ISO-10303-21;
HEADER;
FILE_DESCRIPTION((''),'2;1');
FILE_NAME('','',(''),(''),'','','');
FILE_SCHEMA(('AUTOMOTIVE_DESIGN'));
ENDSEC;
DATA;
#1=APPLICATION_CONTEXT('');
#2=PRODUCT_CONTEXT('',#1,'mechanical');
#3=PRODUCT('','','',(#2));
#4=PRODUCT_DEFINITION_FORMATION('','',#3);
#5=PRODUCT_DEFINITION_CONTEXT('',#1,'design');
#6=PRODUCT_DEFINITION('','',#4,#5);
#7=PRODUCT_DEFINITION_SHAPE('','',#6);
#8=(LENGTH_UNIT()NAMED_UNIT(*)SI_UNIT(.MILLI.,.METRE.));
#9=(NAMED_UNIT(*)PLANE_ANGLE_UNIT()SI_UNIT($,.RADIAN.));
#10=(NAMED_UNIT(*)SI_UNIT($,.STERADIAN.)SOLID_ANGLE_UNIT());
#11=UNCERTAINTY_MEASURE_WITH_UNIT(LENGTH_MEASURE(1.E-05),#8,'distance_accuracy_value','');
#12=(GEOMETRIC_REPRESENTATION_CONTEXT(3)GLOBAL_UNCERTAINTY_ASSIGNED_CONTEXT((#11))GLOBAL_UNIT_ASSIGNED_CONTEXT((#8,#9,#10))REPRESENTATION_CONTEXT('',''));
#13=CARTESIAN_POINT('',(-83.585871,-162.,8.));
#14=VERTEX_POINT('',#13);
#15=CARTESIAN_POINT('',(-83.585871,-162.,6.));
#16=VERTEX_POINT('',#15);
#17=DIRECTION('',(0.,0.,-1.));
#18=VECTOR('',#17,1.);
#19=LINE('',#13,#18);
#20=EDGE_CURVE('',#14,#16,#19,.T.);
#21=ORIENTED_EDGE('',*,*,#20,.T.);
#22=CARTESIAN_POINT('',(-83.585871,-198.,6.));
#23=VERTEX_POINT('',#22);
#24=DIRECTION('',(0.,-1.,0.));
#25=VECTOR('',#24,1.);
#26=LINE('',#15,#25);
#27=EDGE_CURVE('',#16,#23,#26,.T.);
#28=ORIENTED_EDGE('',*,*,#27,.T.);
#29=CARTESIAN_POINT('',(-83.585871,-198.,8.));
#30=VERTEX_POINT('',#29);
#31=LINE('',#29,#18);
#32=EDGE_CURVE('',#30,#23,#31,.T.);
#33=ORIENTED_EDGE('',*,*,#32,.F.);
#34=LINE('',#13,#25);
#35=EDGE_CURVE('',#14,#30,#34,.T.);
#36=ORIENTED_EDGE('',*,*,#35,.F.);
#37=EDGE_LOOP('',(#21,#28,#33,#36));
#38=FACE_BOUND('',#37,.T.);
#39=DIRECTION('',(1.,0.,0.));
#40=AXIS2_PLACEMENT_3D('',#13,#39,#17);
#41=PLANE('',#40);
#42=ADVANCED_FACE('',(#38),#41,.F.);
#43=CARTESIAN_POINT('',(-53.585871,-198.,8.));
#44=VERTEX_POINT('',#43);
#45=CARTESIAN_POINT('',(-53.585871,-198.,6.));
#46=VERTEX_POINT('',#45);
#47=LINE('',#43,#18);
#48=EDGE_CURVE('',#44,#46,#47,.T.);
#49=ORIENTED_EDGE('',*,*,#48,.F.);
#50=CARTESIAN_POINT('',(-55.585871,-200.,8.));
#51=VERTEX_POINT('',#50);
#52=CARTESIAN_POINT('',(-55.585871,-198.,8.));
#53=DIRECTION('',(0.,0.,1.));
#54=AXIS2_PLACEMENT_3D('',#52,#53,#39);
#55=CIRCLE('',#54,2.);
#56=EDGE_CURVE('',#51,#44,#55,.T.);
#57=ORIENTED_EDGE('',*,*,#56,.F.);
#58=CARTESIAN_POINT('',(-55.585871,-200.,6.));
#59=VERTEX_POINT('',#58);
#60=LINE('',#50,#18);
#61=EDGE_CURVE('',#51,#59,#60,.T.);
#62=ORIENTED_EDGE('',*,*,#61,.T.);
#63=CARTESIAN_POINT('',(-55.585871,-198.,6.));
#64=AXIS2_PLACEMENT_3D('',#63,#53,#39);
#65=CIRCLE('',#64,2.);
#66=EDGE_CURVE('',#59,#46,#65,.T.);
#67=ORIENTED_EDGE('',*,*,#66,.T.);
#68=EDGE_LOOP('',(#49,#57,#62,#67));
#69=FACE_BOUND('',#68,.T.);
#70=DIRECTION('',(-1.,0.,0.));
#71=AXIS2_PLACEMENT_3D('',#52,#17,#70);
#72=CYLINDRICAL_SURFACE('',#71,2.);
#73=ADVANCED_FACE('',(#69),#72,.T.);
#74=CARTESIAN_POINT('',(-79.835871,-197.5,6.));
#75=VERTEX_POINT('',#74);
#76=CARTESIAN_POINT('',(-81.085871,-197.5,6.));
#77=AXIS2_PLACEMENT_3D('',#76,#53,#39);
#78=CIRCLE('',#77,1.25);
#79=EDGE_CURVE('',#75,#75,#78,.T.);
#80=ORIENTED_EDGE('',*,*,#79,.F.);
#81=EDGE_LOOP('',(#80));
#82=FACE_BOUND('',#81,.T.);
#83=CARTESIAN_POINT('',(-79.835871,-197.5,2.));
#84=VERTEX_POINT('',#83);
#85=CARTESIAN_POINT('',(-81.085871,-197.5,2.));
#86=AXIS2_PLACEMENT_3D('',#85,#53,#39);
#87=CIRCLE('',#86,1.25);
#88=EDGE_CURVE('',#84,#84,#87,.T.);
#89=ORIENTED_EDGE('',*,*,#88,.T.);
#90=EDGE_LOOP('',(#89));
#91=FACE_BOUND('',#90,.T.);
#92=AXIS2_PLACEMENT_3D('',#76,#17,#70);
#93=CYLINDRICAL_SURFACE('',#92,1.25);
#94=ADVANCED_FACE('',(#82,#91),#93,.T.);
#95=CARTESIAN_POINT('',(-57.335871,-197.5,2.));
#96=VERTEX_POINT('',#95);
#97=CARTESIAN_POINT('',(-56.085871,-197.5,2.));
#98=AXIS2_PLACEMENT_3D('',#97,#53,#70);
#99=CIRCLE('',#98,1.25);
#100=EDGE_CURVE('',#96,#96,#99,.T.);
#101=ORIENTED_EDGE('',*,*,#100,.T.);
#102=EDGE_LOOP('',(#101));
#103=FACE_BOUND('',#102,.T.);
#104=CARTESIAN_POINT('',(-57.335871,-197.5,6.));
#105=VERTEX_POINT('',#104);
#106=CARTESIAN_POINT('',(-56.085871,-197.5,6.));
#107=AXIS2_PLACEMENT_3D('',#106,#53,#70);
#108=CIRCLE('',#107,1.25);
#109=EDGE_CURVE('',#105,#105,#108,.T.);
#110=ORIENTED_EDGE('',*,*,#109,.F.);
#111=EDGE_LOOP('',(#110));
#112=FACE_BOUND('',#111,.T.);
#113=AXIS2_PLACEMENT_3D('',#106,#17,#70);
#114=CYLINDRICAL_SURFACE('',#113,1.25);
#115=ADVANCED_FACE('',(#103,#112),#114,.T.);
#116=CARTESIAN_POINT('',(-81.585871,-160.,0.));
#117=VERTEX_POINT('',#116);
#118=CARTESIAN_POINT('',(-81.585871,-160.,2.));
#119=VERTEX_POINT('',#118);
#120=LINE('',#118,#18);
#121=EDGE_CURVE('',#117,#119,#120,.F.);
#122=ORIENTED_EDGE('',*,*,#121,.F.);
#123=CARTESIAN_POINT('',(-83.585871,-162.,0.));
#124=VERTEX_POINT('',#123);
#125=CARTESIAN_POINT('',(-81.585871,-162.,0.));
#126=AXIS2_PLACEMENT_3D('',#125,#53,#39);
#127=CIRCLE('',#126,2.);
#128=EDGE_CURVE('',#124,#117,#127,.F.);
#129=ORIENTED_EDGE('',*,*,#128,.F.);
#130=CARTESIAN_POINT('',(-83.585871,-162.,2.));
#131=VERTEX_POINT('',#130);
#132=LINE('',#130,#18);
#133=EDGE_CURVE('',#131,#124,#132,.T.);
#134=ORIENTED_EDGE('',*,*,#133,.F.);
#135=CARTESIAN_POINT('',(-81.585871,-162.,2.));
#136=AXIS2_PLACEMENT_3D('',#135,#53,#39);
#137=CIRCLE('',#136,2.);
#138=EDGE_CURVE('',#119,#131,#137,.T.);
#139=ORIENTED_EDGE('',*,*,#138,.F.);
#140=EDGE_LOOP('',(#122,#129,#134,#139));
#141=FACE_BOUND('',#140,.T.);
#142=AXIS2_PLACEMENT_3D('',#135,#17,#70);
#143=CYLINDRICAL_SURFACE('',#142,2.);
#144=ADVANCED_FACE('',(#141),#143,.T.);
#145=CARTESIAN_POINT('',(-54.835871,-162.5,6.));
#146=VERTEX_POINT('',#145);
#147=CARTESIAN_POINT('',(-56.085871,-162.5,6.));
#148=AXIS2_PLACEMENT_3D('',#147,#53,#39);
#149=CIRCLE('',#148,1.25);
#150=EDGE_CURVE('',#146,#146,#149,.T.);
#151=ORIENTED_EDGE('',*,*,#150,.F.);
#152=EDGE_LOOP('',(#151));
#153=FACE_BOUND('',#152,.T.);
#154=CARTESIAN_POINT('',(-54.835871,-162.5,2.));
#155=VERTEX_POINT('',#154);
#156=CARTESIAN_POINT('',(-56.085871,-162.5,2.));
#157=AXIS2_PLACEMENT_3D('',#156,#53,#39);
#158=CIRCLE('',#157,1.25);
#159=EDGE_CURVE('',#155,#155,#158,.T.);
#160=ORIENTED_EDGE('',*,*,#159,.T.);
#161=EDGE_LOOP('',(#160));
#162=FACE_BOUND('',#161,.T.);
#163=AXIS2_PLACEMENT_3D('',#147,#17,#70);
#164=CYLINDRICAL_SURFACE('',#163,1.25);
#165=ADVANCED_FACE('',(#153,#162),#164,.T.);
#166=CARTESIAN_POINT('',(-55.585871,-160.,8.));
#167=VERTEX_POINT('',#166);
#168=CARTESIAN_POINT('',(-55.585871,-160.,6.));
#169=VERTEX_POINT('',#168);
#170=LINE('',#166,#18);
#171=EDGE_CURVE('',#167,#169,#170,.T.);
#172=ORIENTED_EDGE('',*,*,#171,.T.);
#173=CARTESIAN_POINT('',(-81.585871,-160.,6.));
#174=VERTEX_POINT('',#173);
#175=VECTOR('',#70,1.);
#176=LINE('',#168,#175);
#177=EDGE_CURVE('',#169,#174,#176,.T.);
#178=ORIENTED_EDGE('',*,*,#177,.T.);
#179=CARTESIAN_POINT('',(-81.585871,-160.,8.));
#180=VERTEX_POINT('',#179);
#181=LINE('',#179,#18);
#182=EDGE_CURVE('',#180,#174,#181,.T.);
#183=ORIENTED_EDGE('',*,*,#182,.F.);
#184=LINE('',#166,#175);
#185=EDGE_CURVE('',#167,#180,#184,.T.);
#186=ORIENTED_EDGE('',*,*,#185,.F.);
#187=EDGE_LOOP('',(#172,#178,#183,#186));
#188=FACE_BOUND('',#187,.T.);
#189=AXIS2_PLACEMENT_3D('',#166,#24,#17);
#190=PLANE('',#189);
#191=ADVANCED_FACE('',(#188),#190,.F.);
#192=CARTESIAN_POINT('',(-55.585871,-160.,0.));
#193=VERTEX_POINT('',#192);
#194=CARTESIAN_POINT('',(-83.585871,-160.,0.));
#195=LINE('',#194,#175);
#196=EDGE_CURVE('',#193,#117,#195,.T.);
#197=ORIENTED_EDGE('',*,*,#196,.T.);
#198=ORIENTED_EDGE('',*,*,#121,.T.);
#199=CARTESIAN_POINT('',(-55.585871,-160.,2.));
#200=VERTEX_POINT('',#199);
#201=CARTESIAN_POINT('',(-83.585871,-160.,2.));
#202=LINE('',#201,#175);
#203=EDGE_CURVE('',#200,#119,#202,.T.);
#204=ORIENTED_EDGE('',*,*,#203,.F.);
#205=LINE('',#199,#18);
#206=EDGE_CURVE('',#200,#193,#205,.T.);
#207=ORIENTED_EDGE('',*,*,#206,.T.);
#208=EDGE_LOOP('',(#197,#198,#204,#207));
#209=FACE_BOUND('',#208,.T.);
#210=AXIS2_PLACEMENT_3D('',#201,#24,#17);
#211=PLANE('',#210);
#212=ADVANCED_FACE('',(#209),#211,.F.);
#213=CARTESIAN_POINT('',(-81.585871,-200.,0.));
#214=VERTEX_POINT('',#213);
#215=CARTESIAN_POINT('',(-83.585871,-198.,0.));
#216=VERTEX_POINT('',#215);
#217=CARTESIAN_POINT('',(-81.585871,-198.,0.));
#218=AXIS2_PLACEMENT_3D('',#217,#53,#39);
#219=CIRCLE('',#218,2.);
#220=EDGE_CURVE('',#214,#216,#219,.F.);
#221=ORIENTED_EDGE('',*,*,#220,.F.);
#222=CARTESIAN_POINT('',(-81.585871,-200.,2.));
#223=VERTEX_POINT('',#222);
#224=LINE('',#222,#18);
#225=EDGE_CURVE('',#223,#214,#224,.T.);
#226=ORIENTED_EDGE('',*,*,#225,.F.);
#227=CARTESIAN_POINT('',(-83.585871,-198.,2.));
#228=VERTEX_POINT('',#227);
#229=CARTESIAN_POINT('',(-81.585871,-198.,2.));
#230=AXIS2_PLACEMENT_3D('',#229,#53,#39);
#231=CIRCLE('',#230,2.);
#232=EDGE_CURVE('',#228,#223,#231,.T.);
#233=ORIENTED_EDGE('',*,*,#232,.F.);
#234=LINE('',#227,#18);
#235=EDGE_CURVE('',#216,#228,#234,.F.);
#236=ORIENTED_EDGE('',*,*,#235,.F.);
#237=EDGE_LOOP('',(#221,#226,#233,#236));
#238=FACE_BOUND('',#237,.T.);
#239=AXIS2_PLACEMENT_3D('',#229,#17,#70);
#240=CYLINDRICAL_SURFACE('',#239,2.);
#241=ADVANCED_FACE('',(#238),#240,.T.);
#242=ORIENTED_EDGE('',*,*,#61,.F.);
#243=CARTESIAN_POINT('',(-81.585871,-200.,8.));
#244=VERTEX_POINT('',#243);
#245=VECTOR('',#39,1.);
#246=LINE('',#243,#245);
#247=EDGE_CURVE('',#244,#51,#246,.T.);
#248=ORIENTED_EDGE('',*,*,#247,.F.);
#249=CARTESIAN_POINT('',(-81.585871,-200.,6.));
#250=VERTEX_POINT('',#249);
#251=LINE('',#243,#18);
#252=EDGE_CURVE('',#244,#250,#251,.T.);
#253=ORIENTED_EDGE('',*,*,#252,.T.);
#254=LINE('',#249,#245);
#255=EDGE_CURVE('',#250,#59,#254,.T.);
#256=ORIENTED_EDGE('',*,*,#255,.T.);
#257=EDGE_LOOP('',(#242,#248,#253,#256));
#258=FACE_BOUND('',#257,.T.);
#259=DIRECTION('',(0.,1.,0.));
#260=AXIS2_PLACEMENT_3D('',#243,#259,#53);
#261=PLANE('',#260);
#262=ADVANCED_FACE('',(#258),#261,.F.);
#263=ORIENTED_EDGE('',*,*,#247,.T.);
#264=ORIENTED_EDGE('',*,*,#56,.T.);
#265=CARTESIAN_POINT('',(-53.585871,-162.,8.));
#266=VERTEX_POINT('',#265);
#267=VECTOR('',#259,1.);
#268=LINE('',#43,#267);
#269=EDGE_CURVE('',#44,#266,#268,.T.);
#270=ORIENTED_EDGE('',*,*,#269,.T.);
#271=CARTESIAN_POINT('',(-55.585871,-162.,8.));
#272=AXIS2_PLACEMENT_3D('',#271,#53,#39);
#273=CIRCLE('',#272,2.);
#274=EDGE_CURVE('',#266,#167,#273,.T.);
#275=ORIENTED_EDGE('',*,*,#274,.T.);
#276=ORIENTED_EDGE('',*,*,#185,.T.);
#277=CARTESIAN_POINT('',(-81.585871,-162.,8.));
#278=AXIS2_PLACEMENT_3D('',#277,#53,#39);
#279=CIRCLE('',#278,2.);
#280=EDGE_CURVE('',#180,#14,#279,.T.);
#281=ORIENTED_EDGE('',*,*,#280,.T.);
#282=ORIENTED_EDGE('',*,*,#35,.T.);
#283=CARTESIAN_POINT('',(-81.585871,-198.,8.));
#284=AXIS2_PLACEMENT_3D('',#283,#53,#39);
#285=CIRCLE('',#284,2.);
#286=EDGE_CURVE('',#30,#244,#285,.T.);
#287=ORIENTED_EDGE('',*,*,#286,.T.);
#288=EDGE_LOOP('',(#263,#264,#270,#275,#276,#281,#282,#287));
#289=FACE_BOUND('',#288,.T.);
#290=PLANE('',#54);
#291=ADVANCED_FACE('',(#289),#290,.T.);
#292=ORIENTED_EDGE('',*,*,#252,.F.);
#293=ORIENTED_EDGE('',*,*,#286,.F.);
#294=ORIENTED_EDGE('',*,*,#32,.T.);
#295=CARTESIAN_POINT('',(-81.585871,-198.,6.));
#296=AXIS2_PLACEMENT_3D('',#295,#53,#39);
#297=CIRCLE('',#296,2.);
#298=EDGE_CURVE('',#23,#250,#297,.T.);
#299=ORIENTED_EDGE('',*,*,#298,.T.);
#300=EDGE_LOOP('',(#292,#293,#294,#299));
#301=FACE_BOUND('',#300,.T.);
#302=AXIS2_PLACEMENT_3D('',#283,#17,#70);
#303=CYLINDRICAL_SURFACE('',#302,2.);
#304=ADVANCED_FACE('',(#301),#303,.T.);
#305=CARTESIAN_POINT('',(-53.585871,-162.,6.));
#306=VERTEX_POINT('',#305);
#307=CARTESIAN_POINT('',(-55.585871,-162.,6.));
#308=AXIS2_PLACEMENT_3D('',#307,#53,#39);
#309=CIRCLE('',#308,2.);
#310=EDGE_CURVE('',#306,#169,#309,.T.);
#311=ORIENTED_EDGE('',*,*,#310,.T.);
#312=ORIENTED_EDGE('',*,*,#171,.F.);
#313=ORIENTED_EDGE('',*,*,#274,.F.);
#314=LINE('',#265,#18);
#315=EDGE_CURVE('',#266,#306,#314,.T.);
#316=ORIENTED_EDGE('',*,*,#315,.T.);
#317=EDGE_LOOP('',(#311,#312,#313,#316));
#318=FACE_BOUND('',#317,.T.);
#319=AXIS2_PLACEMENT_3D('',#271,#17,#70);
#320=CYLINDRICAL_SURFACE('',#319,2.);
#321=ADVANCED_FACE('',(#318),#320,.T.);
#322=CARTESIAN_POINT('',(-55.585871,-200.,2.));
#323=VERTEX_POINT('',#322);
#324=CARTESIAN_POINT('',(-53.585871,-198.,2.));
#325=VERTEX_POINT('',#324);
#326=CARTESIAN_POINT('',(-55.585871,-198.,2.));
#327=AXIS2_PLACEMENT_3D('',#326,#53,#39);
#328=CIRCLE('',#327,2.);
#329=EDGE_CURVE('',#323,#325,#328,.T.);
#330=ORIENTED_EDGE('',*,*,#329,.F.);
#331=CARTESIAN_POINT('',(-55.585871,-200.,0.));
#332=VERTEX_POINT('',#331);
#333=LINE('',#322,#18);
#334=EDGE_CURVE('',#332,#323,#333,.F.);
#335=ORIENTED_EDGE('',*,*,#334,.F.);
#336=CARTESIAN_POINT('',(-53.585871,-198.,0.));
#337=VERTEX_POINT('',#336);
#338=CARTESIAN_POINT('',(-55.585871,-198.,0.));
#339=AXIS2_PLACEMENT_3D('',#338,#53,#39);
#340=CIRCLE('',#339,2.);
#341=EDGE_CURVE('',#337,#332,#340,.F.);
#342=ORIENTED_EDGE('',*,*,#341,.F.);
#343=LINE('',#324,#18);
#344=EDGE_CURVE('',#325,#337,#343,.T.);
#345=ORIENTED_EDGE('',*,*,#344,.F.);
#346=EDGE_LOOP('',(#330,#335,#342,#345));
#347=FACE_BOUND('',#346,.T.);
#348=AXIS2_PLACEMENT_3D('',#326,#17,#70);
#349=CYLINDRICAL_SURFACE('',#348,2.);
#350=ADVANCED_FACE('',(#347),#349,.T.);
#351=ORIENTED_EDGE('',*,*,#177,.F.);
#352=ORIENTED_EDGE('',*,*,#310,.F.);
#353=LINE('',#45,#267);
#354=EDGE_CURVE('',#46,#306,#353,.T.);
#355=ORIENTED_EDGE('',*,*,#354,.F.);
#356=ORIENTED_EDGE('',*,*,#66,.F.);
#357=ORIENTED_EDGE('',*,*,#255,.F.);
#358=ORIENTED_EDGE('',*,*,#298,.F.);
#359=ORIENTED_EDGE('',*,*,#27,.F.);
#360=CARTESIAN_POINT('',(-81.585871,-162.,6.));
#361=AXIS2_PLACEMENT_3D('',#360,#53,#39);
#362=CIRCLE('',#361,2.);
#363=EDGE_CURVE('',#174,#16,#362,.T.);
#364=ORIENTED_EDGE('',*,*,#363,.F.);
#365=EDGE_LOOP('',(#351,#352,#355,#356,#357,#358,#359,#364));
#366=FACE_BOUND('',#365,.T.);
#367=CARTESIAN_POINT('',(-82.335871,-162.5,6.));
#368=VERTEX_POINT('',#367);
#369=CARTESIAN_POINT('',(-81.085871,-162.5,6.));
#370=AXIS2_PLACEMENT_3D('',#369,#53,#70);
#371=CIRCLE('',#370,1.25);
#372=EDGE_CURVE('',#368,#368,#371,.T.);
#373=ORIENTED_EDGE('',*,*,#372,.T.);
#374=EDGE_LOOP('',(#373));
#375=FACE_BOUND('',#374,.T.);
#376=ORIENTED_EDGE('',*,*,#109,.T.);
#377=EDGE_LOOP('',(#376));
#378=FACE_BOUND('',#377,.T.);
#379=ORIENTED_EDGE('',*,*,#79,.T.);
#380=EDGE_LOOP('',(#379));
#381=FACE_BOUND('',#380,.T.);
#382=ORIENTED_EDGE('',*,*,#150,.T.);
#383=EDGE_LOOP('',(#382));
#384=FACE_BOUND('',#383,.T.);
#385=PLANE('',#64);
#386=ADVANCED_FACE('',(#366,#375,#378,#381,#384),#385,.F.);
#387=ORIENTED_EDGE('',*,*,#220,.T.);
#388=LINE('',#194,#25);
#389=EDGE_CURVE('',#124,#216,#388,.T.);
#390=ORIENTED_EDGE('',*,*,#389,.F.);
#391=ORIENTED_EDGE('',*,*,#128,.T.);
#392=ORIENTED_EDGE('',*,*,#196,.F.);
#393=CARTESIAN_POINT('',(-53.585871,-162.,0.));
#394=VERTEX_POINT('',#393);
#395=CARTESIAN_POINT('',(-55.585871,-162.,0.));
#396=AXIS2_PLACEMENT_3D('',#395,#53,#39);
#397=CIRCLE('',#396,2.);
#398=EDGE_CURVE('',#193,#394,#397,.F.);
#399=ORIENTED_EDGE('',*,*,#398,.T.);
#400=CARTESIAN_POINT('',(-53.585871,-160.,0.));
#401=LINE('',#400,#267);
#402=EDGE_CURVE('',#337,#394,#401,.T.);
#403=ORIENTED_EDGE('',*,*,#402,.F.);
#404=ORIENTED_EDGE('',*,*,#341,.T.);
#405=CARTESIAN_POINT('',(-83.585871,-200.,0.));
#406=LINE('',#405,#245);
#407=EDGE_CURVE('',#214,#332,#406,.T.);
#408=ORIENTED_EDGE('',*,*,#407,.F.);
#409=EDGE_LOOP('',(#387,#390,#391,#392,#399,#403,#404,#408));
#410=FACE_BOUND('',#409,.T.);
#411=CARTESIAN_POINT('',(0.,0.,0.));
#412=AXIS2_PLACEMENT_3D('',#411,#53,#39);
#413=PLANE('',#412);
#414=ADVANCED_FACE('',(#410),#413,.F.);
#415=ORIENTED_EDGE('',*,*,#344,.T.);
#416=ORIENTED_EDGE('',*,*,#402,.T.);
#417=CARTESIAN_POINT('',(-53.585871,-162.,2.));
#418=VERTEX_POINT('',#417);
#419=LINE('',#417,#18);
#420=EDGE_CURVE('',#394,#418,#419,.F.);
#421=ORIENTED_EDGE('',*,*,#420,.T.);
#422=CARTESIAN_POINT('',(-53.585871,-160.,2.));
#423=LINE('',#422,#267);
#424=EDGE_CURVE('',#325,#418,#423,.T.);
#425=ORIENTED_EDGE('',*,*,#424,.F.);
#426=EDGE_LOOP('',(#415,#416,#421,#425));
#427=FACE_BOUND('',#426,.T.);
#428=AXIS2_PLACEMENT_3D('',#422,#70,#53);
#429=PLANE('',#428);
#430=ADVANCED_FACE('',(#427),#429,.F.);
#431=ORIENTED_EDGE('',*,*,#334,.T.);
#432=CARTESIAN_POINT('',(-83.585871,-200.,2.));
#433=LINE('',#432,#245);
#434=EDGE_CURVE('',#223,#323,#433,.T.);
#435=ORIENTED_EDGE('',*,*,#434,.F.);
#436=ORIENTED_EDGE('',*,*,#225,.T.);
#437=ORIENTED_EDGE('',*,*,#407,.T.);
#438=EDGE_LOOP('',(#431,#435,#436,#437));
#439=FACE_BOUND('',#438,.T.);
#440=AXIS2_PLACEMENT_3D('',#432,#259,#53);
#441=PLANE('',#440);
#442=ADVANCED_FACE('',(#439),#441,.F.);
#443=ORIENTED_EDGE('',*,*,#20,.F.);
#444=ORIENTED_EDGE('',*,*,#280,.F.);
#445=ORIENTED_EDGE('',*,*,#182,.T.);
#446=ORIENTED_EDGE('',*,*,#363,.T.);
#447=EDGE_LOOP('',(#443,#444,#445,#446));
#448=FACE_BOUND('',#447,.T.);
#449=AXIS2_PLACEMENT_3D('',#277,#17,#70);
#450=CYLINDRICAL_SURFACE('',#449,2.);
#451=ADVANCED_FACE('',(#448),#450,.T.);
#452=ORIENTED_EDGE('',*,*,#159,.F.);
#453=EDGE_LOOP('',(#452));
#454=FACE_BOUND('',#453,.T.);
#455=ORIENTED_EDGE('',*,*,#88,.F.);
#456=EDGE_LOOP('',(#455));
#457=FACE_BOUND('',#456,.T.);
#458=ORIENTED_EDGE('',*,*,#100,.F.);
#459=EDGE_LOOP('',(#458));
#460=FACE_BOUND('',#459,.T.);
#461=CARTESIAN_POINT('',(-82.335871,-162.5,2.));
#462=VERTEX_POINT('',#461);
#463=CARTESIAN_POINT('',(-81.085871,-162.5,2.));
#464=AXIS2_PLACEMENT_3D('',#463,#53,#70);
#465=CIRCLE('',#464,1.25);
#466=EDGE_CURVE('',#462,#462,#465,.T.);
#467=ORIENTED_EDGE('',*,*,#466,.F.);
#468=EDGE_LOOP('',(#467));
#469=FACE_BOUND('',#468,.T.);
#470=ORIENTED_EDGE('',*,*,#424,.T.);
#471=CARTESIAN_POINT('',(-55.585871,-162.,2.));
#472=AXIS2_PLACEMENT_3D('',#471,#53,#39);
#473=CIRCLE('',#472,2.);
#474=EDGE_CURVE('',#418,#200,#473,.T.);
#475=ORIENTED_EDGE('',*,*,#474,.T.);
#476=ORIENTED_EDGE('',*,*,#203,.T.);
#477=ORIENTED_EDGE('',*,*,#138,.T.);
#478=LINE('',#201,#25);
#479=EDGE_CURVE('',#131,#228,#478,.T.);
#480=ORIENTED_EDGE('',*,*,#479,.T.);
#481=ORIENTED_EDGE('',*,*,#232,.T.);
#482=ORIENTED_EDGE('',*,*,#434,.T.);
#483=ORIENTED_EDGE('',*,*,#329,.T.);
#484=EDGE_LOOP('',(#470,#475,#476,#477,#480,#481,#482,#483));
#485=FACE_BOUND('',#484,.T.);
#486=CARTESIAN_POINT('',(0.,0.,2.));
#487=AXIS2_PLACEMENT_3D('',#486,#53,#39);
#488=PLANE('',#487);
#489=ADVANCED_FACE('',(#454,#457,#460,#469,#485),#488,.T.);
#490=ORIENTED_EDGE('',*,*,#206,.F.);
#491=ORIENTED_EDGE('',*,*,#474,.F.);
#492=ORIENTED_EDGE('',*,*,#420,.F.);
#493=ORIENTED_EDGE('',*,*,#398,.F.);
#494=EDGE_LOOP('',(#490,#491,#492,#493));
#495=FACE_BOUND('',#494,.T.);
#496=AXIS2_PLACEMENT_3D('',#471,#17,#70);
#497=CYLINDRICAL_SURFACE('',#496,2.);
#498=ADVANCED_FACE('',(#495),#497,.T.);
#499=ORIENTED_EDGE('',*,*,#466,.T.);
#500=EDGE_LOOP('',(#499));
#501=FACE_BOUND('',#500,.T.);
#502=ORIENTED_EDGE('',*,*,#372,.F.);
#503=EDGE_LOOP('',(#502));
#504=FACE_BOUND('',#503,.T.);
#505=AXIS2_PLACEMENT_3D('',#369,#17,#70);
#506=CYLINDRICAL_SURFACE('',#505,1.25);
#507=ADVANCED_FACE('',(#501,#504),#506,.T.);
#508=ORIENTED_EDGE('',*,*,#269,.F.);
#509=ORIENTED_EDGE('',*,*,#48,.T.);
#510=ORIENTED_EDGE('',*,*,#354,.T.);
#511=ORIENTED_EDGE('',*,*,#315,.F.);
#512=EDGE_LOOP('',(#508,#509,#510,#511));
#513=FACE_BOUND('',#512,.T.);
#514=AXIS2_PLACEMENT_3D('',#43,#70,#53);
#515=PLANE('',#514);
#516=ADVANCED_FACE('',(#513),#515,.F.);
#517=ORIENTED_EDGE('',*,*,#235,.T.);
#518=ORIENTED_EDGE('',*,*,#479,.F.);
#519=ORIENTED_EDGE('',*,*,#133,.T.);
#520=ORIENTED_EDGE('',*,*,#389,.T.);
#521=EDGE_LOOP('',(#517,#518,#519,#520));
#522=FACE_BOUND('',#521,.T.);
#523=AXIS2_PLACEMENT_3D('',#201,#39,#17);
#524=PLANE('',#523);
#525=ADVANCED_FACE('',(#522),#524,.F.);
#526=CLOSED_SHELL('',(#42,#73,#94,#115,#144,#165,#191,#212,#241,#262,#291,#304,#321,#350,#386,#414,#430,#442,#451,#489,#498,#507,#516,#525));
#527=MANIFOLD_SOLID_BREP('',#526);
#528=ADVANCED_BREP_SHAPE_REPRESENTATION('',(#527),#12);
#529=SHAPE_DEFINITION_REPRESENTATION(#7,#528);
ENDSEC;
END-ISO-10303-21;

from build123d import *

# Parameters (mm, degrees)
SKETCH1_W           = 30
SKETCH1_H           = 40
BOSS_EXTRUDE1_DEPTH = 2
FILLET1_R           = 2
SKETCH2_R           = 1.25
BOSS_EXTRUDE2_DEPTH = 4
BOSS_EXTRUDE3_START = 2
BOSS_EXTRUDE3_DEPTH = 2


with BuildPart() as part:
    # Sketch1 → Boss-Extrude1 (new body)
    with BuildSketch(Plane.XY):
        with Locations((-68.585871194, -180)):
            Rectangle(SKETCH1_W, SKETCH1_H)
    extrude(amount=BOSS_EXTRUDE1_DEPTH)

    # Fillet1
    fillet1_edges = [part.edges().sort_by_distance(p)[0] for p in [
        (-83.585871194, -160, 1),
        (-53.585871194, -160, 1),
        (-53.585871194, -200, 1),
        (-83.585871194, -200, 1),
    ]]
    fillet(fillet1_edges, radius=FILLET1_R)

    # Sketch2 → Boss-Extrude2 (add)
    with BuildSketch(Plane.XY.offset(2)):
        with Locations((-81.085871194, -197.5)):
            Circle(SKETCH2_R)
        with Locations(Location((-56.085871194, -197.5, 0), (0, 0, 180))):
            Circle(SKETCH2_R)
        with Locations((-56.085871194, -162.5)):
            Circle(SKETCH2_R)
        with Locations(Location((-81.085871194, -162.5, 0), (0, 0, 180))):
            Circle(SKETCH2_R)
    extrude(amount=BOSS_EXTRUDE2_DEPTH)

    # Sketch3 → Boss-Extrude3 (add)
    with BuildSketch(Plane.XY.offset(6).offset(BOSS_EXTRUDE3_START)):
        with BuildLine():
            Line((-53.585871194, -198), (-53.585871194, -162))
            ThreePointArc((-53.585871194, -162), (-54.171657631, -160.585786438), (-55.585871194, -160))
            Line((-55.585871194, -160), (-81.585871194, -160))
            ThreePointArc((-81.585871194, -160), (-83.000084756, -160.585786438), (-83.585871194, -162))
            Line((-83.585871194, -162), (-83.585871194, -198))
            ThreePointArc((-83.585871194, -198), (-83.000084756, -199.414213562), (-81.585871194, -200))
            Line((-81.585871194, -200), (-55.585871194, -200))
            ThreePointArc((-55.585871194, -200), (-54.171657631, -199.414213562), (-53.585871194, -198))
        make_face()
    extrude(amount=-BOSS_EXTRUDE3_DEPTH)


solid = part.part
